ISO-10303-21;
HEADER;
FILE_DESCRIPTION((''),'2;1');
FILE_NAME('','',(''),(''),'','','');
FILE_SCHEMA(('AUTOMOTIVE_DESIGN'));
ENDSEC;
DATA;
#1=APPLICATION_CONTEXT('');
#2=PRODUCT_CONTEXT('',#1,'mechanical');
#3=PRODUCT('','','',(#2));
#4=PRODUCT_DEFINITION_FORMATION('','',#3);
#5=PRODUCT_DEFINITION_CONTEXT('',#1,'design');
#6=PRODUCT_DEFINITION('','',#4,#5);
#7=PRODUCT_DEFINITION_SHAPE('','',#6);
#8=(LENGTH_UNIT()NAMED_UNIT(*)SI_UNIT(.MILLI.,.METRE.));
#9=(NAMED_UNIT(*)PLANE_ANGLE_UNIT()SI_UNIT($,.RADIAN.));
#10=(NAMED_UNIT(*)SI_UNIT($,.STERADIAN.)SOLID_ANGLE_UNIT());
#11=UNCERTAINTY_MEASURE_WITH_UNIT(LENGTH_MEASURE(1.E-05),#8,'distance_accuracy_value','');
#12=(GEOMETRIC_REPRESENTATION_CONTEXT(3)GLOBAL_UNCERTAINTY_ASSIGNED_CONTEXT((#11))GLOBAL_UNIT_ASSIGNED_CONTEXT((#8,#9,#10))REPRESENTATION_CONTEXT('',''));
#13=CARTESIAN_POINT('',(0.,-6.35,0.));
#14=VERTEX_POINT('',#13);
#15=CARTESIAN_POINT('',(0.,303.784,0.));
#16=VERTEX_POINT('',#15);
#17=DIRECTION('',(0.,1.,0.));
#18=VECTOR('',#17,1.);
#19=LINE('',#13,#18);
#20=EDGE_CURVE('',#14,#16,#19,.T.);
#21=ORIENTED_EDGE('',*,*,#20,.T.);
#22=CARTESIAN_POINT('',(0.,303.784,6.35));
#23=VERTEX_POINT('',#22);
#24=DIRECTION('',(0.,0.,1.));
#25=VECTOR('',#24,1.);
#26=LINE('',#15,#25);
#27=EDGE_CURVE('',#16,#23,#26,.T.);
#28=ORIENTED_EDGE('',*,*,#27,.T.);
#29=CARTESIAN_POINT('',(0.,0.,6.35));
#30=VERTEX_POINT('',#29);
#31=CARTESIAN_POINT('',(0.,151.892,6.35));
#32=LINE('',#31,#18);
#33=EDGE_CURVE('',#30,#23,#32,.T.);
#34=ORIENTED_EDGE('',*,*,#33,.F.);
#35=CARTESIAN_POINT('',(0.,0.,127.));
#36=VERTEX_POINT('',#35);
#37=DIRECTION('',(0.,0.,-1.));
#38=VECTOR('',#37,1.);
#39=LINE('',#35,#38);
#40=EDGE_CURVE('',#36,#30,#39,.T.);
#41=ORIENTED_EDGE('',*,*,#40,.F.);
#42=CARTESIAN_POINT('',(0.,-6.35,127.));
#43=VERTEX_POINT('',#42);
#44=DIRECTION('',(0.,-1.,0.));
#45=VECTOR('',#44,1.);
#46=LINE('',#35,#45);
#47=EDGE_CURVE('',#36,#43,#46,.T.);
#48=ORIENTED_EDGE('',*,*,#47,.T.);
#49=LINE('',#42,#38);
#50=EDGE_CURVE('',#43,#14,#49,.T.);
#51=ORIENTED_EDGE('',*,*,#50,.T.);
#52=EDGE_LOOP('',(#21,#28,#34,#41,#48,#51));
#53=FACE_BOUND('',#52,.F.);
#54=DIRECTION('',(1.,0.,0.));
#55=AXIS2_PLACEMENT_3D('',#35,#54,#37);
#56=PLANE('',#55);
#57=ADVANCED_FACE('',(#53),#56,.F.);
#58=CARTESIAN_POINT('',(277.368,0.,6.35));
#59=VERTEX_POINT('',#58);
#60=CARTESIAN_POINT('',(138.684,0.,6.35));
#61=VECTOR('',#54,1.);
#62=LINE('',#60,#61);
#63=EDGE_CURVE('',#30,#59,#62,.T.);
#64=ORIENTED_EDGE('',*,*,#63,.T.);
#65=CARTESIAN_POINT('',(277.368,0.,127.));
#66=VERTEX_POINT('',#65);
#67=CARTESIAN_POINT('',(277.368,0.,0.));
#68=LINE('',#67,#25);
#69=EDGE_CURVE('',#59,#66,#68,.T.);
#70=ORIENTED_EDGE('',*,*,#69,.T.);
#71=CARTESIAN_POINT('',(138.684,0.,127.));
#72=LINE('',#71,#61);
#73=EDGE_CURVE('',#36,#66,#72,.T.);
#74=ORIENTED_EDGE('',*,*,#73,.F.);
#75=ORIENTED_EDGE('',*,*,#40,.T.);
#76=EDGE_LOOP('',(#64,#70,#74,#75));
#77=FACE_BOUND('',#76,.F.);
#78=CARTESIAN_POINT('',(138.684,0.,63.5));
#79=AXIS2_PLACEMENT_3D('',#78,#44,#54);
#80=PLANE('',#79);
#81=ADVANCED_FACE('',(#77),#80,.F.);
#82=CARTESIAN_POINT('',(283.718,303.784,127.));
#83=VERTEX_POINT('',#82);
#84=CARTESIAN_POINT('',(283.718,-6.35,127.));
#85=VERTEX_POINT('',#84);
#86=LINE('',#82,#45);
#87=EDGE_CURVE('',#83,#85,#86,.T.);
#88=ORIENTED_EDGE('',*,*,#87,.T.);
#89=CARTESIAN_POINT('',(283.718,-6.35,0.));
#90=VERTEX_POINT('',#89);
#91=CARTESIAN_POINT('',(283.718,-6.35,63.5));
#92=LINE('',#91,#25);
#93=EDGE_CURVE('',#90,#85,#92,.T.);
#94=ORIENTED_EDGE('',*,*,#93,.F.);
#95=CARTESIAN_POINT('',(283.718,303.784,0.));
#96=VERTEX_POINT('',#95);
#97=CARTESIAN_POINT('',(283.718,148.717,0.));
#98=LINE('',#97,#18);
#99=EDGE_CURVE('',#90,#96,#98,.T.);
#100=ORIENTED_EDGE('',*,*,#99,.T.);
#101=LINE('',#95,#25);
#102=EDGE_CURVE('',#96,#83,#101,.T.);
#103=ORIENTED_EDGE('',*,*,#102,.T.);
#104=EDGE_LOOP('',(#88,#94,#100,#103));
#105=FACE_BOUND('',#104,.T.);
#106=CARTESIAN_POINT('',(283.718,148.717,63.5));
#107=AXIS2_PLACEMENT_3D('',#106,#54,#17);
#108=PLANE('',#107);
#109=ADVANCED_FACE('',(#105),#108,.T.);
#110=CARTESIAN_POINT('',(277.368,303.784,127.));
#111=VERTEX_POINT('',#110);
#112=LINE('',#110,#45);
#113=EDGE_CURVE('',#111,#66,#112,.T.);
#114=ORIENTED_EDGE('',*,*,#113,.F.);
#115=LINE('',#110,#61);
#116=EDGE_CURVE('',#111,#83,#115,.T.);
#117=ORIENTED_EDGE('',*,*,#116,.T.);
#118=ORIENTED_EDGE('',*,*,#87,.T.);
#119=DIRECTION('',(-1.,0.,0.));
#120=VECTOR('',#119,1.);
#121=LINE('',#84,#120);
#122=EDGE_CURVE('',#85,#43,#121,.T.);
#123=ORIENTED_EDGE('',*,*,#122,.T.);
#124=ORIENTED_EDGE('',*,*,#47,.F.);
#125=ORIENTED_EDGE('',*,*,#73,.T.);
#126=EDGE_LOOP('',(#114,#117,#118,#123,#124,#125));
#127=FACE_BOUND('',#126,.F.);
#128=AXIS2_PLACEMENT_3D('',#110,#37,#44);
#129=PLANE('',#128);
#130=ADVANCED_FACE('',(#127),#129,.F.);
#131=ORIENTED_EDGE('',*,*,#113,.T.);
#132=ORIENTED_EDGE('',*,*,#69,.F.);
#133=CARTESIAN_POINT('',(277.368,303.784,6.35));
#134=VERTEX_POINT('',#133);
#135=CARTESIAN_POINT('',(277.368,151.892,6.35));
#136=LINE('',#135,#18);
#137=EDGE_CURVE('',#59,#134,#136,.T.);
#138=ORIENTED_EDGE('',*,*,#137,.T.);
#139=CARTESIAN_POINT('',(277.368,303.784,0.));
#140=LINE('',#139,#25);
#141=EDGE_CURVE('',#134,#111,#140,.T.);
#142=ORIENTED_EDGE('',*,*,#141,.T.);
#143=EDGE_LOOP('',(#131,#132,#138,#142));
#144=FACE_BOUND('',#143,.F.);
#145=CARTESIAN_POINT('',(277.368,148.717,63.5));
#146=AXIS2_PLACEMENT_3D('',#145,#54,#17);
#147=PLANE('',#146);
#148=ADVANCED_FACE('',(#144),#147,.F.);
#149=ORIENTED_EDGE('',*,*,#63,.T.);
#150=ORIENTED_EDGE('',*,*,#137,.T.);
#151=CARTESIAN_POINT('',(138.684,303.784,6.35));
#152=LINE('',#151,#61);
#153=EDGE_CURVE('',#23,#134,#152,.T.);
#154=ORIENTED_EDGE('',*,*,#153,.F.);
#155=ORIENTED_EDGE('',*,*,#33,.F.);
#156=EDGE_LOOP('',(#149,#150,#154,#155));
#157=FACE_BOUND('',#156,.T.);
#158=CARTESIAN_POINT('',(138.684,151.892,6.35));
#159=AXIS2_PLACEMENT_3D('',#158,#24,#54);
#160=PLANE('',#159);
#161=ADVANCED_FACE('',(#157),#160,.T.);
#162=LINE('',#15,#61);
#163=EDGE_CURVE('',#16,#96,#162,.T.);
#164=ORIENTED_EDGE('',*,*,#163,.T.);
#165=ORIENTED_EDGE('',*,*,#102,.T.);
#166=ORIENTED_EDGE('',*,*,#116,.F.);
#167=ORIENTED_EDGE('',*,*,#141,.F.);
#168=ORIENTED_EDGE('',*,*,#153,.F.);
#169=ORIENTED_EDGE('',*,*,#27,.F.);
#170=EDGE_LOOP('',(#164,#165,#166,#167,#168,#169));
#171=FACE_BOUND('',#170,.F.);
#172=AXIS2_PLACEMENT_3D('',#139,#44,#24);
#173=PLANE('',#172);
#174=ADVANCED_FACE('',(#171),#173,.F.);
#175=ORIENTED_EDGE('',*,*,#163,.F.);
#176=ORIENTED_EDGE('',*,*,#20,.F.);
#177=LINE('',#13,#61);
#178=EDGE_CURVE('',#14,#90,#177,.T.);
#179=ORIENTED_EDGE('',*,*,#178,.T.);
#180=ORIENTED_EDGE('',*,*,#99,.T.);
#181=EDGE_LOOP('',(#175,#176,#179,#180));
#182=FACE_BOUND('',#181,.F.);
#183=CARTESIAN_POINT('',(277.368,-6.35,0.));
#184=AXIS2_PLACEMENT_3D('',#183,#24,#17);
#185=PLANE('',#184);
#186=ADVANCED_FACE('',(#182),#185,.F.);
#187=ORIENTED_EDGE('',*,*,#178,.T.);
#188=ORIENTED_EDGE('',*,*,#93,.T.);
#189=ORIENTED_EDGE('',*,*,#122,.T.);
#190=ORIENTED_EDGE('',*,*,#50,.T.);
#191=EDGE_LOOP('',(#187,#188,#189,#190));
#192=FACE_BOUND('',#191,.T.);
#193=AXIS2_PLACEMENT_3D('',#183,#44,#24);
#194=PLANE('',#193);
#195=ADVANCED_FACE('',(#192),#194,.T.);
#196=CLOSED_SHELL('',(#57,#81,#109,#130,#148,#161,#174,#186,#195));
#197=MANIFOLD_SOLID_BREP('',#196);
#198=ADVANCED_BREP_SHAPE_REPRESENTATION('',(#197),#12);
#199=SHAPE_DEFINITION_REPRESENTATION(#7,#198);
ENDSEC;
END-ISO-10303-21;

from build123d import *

# Parameters (mm, degrees)
F0_W     = 277.368
F0_H     = 303.784
F1_DEPTH = 6.35
F2_W     = 277.368
F2_H     = 127
F2_H_2   = 120.65
F3_DEPTH = 6.35
F4_W     = 310.134
F4_H     = 127
F5_DEPTH = 6.35


with BuildPart() as f1:
    # F0 (on Top) → F1 (new body)
    with BuildSketch(Plane.XY):
        with Locations((138.684, 151.892)):
            Rectangle(F0_W, F0_H)
    extrude(amount=F1_DEPTH)

    # F2 (on face) → F3 (join)
    with BuildSketch(Plane.XZ):
        with Locations((138.684, 63.5)):
            Rectangle(F2_W, F2_H)
        with Locations((138.684, 66.675)):
            Rectangle(F2_W, F2_H_2)
    extrude(amount=F3_DEPTH)

    # F4 (on face) → F5 (join)
    with BuildSketch(Plane.YZ.offset(277.368)):
        with Locations((148.717, 63.5)):
            Rectangle(F4_W, F4_H)
        Polygon((-6.35, 127), (-6.35, 0), (303.784, 0), (303.784, 6.35), (0, 6.35), (0, 127), align=None)
    extrude(amount=F5_DEPTH)


solid = f1.part
